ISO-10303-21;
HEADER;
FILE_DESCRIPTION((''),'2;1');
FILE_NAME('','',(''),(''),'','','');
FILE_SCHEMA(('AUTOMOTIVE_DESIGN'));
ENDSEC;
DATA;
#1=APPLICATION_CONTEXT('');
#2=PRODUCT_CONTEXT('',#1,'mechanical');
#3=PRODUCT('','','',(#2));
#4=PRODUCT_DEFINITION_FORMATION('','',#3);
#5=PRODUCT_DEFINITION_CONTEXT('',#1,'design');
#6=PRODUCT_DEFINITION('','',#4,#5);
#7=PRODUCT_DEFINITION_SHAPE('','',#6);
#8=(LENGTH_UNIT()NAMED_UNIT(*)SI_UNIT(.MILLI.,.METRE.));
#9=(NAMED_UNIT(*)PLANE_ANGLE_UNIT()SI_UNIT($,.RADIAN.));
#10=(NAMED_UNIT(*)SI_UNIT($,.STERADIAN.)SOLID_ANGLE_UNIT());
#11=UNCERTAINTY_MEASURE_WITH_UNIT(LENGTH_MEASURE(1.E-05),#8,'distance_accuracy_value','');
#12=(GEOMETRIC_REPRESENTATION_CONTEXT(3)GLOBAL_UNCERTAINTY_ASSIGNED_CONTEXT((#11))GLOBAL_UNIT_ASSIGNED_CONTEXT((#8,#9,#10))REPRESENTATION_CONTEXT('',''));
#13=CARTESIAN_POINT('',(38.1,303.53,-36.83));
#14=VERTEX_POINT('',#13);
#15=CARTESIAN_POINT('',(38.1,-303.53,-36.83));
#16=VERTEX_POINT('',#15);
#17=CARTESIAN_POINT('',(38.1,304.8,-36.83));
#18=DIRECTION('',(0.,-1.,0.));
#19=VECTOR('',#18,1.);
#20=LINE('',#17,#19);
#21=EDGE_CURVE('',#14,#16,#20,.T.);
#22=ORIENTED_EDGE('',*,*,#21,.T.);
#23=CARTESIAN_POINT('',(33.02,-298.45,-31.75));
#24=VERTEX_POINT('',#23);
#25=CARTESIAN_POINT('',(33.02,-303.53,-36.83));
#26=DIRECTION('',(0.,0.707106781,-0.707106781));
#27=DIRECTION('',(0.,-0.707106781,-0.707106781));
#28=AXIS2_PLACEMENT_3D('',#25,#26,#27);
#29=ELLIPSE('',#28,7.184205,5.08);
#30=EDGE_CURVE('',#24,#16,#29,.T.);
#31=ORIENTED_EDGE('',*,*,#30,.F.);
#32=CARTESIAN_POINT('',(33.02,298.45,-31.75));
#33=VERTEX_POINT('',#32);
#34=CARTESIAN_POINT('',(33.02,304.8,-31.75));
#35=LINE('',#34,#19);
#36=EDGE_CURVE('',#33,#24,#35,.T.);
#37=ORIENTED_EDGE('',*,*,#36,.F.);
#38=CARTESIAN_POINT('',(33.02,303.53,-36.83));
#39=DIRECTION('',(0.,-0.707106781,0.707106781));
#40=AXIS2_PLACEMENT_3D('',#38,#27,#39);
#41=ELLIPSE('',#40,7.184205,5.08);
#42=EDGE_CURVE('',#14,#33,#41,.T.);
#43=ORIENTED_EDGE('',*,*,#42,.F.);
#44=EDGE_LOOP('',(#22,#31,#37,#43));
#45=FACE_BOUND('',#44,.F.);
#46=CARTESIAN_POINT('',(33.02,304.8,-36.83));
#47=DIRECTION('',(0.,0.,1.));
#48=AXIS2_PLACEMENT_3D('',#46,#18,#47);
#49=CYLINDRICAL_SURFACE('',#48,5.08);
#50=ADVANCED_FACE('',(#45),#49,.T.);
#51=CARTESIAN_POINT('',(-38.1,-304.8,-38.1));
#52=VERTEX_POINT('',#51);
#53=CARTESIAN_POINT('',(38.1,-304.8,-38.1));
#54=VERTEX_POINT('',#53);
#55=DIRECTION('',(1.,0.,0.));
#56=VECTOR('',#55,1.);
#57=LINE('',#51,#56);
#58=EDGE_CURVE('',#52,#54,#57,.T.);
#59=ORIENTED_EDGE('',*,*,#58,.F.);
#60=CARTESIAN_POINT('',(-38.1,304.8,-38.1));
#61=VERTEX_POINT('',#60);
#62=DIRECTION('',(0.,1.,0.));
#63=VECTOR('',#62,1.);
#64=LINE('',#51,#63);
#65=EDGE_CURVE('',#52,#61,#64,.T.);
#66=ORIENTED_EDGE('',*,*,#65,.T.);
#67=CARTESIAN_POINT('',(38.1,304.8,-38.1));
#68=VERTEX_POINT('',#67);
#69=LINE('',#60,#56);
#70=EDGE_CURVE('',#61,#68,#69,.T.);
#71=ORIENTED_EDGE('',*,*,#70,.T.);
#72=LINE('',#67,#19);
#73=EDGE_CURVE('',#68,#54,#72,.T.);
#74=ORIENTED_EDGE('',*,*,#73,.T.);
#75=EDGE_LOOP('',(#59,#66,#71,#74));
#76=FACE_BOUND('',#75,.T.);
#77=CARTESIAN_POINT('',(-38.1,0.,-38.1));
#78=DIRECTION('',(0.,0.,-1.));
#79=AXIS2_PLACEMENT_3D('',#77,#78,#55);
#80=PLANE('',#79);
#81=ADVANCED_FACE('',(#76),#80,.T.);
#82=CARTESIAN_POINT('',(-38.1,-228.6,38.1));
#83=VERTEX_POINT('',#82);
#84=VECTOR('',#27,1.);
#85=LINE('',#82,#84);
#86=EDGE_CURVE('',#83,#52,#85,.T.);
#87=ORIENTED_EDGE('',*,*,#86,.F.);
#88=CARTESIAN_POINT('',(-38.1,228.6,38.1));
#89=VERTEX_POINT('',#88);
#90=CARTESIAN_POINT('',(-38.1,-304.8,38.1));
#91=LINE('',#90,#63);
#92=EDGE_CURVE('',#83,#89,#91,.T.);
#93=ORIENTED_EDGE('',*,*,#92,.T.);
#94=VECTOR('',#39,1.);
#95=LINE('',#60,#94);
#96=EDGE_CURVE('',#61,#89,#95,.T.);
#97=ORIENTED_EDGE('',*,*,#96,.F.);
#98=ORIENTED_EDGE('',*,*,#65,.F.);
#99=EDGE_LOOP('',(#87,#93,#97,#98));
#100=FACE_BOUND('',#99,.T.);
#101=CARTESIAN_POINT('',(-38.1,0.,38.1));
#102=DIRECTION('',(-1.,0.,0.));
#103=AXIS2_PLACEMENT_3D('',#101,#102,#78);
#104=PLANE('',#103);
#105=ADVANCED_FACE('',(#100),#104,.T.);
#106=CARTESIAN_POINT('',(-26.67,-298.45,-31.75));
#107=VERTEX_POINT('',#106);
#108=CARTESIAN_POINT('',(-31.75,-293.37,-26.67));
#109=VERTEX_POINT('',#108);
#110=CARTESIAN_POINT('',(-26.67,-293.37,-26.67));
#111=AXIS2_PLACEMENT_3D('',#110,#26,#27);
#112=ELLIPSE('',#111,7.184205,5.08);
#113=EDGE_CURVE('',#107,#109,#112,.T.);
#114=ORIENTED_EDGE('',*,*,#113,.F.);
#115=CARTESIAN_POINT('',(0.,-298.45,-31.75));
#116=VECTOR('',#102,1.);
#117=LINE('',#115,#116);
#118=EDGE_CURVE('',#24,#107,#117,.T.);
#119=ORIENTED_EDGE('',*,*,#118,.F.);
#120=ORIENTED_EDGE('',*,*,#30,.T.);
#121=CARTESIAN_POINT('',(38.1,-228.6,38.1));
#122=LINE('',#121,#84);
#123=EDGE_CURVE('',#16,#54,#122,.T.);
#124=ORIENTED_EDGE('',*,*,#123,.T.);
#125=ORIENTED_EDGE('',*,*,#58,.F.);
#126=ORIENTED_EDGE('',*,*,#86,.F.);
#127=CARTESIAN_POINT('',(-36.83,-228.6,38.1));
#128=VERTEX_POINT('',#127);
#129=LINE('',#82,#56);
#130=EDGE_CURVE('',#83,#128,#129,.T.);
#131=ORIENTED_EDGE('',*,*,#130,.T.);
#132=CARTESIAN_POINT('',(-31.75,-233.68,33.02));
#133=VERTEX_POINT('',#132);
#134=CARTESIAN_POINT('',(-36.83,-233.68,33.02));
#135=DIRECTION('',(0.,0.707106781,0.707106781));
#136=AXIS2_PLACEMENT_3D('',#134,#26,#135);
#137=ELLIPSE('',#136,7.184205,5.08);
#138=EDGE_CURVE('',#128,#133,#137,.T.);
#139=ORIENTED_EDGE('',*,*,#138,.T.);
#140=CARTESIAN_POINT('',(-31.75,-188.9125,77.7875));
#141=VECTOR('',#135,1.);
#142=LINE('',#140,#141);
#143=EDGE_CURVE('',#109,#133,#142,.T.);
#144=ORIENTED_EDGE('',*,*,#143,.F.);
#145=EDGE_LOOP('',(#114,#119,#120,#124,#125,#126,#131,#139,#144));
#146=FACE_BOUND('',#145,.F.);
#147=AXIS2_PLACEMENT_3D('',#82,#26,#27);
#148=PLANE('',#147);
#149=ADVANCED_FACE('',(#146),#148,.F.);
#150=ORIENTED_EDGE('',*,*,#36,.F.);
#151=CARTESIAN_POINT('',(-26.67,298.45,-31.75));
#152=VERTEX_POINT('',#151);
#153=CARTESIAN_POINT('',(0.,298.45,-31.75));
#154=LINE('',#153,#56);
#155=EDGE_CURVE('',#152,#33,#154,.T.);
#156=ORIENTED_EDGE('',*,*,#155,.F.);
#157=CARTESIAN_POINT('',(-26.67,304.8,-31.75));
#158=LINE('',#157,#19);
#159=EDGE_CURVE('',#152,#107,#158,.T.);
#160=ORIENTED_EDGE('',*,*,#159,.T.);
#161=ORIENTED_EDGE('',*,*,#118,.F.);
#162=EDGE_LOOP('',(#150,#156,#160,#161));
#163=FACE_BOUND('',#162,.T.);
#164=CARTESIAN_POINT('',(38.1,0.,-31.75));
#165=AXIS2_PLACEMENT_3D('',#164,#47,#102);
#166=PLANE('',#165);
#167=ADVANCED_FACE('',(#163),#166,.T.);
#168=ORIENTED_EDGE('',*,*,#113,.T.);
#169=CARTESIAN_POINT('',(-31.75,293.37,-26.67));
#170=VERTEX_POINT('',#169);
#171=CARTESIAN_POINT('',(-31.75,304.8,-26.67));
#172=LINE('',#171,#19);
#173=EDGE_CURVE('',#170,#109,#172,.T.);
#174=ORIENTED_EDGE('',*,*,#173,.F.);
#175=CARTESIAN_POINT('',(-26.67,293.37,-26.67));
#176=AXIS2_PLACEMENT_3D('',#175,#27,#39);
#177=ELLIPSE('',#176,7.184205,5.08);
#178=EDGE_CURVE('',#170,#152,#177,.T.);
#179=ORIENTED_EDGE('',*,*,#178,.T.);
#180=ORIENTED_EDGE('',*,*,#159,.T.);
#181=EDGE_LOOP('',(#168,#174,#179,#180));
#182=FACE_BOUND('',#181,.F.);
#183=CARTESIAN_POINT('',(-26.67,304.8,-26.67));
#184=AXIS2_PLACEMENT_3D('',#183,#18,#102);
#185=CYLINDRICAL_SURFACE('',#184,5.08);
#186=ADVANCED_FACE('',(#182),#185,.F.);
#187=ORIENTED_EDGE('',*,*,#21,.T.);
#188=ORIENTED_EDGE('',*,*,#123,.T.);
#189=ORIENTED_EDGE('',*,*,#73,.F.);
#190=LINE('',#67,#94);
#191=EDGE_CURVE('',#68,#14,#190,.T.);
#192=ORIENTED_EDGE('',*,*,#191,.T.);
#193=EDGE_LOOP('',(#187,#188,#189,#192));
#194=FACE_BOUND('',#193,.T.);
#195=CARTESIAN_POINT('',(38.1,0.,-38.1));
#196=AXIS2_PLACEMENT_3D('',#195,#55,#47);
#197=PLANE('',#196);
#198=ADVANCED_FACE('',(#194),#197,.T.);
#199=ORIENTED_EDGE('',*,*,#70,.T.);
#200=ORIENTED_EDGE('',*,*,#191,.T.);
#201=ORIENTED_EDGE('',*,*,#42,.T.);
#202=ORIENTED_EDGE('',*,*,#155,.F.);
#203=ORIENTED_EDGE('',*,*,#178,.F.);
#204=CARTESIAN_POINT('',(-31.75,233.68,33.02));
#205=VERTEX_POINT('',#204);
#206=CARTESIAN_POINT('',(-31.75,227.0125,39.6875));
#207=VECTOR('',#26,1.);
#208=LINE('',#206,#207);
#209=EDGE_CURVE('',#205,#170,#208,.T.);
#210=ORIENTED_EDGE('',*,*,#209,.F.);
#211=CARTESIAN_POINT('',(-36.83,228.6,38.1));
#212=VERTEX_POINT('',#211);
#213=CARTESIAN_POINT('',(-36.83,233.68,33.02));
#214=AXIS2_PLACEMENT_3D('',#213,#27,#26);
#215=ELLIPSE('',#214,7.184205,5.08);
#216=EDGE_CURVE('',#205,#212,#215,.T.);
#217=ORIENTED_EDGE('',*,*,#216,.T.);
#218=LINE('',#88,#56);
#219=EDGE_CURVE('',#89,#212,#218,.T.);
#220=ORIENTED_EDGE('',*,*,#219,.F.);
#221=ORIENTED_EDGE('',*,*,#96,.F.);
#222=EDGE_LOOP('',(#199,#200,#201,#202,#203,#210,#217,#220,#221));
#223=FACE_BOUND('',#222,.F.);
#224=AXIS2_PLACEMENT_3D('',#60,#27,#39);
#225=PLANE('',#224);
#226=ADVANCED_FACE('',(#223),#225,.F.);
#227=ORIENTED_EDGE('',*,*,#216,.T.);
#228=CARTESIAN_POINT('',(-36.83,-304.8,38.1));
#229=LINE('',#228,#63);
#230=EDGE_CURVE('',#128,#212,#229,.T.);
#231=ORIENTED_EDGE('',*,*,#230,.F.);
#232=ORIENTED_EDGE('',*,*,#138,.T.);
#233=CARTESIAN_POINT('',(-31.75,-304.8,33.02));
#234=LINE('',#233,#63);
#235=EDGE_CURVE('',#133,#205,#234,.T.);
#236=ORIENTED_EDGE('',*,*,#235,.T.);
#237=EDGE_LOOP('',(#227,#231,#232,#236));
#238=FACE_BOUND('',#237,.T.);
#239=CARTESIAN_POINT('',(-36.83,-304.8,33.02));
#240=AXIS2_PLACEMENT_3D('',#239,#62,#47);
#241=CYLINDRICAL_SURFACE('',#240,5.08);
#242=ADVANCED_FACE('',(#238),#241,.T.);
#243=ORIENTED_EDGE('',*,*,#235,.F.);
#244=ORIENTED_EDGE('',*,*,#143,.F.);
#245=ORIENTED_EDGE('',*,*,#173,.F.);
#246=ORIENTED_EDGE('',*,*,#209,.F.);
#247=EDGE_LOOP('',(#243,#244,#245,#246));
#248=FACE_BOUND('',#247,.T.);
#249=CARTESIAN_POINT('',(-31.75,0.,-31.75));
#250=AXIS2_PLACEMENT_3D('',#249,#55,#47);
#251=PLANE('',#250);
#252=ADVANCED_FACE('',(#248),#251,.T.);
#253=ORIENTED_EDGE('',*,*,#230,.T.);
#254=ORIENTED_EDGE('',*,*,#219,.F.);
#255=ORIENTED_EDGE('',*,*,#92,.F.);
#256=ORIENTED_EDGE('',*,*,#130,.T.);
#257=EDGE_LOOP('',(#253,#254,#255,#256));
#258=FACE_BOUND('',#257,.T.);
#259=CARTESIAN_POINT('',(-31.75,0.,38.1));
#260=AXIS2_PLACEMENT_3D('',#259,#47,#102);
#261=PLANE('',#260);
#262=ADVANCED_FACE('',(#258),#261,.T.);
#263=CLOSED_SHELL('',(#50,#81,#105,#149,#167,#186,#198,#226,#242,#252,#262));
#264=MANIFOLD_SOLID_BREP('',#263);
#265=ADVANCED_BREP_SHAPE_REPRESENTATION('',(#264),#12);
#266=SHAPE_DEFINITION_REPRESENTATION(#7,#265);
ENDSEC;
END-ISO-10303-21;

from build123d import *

# Parameters (mm, degrees)
F1_DEPTH = 304.8
F2_R     = 5.08
F4_DEPTH = 76.2


with BuildPart() as f1:
    # F0 (on Front) → F1 (new body, symmetric)
    with BuildSketch(Plane.XZ):
        Polygon((-38.1, -38.1), (38.1, -38.1), (38.1, -31.75), (-31.75, -31.75), (-31.75, 38.1), (-38.1, 38.1), align=None)
    extrude(amount=F1_DEPTH, both=True)

    # F2
    f2_edges = [f1.edges().sort_by_distance(p)[0] for p in [
        (-31.75, 0, 38.1),
        (-31.75, 0, -31.75),
        (38.1, 0, -31.75),
    ]]
    fillet(f2_edges, radius=F2_R)

    # F3 (on face) → F4 (cut)
    with BuildSketch(Plane(origin=(-38.1, 0, 0), x_dir=(0, -1, 0), z_dir=(-1, 0, 0))):
        Polygon((-304.8, 38.1), (-304.8, -38.1), (-228.6, 38.1), align=None)
        Polygon((228.6, 38.1), (304.8, -38.1), (304.8, 38.1), align=None)
    extrude(amount=-F4_DEPTH, mode=Mode.SUBTRACT)


solid = f1.part
